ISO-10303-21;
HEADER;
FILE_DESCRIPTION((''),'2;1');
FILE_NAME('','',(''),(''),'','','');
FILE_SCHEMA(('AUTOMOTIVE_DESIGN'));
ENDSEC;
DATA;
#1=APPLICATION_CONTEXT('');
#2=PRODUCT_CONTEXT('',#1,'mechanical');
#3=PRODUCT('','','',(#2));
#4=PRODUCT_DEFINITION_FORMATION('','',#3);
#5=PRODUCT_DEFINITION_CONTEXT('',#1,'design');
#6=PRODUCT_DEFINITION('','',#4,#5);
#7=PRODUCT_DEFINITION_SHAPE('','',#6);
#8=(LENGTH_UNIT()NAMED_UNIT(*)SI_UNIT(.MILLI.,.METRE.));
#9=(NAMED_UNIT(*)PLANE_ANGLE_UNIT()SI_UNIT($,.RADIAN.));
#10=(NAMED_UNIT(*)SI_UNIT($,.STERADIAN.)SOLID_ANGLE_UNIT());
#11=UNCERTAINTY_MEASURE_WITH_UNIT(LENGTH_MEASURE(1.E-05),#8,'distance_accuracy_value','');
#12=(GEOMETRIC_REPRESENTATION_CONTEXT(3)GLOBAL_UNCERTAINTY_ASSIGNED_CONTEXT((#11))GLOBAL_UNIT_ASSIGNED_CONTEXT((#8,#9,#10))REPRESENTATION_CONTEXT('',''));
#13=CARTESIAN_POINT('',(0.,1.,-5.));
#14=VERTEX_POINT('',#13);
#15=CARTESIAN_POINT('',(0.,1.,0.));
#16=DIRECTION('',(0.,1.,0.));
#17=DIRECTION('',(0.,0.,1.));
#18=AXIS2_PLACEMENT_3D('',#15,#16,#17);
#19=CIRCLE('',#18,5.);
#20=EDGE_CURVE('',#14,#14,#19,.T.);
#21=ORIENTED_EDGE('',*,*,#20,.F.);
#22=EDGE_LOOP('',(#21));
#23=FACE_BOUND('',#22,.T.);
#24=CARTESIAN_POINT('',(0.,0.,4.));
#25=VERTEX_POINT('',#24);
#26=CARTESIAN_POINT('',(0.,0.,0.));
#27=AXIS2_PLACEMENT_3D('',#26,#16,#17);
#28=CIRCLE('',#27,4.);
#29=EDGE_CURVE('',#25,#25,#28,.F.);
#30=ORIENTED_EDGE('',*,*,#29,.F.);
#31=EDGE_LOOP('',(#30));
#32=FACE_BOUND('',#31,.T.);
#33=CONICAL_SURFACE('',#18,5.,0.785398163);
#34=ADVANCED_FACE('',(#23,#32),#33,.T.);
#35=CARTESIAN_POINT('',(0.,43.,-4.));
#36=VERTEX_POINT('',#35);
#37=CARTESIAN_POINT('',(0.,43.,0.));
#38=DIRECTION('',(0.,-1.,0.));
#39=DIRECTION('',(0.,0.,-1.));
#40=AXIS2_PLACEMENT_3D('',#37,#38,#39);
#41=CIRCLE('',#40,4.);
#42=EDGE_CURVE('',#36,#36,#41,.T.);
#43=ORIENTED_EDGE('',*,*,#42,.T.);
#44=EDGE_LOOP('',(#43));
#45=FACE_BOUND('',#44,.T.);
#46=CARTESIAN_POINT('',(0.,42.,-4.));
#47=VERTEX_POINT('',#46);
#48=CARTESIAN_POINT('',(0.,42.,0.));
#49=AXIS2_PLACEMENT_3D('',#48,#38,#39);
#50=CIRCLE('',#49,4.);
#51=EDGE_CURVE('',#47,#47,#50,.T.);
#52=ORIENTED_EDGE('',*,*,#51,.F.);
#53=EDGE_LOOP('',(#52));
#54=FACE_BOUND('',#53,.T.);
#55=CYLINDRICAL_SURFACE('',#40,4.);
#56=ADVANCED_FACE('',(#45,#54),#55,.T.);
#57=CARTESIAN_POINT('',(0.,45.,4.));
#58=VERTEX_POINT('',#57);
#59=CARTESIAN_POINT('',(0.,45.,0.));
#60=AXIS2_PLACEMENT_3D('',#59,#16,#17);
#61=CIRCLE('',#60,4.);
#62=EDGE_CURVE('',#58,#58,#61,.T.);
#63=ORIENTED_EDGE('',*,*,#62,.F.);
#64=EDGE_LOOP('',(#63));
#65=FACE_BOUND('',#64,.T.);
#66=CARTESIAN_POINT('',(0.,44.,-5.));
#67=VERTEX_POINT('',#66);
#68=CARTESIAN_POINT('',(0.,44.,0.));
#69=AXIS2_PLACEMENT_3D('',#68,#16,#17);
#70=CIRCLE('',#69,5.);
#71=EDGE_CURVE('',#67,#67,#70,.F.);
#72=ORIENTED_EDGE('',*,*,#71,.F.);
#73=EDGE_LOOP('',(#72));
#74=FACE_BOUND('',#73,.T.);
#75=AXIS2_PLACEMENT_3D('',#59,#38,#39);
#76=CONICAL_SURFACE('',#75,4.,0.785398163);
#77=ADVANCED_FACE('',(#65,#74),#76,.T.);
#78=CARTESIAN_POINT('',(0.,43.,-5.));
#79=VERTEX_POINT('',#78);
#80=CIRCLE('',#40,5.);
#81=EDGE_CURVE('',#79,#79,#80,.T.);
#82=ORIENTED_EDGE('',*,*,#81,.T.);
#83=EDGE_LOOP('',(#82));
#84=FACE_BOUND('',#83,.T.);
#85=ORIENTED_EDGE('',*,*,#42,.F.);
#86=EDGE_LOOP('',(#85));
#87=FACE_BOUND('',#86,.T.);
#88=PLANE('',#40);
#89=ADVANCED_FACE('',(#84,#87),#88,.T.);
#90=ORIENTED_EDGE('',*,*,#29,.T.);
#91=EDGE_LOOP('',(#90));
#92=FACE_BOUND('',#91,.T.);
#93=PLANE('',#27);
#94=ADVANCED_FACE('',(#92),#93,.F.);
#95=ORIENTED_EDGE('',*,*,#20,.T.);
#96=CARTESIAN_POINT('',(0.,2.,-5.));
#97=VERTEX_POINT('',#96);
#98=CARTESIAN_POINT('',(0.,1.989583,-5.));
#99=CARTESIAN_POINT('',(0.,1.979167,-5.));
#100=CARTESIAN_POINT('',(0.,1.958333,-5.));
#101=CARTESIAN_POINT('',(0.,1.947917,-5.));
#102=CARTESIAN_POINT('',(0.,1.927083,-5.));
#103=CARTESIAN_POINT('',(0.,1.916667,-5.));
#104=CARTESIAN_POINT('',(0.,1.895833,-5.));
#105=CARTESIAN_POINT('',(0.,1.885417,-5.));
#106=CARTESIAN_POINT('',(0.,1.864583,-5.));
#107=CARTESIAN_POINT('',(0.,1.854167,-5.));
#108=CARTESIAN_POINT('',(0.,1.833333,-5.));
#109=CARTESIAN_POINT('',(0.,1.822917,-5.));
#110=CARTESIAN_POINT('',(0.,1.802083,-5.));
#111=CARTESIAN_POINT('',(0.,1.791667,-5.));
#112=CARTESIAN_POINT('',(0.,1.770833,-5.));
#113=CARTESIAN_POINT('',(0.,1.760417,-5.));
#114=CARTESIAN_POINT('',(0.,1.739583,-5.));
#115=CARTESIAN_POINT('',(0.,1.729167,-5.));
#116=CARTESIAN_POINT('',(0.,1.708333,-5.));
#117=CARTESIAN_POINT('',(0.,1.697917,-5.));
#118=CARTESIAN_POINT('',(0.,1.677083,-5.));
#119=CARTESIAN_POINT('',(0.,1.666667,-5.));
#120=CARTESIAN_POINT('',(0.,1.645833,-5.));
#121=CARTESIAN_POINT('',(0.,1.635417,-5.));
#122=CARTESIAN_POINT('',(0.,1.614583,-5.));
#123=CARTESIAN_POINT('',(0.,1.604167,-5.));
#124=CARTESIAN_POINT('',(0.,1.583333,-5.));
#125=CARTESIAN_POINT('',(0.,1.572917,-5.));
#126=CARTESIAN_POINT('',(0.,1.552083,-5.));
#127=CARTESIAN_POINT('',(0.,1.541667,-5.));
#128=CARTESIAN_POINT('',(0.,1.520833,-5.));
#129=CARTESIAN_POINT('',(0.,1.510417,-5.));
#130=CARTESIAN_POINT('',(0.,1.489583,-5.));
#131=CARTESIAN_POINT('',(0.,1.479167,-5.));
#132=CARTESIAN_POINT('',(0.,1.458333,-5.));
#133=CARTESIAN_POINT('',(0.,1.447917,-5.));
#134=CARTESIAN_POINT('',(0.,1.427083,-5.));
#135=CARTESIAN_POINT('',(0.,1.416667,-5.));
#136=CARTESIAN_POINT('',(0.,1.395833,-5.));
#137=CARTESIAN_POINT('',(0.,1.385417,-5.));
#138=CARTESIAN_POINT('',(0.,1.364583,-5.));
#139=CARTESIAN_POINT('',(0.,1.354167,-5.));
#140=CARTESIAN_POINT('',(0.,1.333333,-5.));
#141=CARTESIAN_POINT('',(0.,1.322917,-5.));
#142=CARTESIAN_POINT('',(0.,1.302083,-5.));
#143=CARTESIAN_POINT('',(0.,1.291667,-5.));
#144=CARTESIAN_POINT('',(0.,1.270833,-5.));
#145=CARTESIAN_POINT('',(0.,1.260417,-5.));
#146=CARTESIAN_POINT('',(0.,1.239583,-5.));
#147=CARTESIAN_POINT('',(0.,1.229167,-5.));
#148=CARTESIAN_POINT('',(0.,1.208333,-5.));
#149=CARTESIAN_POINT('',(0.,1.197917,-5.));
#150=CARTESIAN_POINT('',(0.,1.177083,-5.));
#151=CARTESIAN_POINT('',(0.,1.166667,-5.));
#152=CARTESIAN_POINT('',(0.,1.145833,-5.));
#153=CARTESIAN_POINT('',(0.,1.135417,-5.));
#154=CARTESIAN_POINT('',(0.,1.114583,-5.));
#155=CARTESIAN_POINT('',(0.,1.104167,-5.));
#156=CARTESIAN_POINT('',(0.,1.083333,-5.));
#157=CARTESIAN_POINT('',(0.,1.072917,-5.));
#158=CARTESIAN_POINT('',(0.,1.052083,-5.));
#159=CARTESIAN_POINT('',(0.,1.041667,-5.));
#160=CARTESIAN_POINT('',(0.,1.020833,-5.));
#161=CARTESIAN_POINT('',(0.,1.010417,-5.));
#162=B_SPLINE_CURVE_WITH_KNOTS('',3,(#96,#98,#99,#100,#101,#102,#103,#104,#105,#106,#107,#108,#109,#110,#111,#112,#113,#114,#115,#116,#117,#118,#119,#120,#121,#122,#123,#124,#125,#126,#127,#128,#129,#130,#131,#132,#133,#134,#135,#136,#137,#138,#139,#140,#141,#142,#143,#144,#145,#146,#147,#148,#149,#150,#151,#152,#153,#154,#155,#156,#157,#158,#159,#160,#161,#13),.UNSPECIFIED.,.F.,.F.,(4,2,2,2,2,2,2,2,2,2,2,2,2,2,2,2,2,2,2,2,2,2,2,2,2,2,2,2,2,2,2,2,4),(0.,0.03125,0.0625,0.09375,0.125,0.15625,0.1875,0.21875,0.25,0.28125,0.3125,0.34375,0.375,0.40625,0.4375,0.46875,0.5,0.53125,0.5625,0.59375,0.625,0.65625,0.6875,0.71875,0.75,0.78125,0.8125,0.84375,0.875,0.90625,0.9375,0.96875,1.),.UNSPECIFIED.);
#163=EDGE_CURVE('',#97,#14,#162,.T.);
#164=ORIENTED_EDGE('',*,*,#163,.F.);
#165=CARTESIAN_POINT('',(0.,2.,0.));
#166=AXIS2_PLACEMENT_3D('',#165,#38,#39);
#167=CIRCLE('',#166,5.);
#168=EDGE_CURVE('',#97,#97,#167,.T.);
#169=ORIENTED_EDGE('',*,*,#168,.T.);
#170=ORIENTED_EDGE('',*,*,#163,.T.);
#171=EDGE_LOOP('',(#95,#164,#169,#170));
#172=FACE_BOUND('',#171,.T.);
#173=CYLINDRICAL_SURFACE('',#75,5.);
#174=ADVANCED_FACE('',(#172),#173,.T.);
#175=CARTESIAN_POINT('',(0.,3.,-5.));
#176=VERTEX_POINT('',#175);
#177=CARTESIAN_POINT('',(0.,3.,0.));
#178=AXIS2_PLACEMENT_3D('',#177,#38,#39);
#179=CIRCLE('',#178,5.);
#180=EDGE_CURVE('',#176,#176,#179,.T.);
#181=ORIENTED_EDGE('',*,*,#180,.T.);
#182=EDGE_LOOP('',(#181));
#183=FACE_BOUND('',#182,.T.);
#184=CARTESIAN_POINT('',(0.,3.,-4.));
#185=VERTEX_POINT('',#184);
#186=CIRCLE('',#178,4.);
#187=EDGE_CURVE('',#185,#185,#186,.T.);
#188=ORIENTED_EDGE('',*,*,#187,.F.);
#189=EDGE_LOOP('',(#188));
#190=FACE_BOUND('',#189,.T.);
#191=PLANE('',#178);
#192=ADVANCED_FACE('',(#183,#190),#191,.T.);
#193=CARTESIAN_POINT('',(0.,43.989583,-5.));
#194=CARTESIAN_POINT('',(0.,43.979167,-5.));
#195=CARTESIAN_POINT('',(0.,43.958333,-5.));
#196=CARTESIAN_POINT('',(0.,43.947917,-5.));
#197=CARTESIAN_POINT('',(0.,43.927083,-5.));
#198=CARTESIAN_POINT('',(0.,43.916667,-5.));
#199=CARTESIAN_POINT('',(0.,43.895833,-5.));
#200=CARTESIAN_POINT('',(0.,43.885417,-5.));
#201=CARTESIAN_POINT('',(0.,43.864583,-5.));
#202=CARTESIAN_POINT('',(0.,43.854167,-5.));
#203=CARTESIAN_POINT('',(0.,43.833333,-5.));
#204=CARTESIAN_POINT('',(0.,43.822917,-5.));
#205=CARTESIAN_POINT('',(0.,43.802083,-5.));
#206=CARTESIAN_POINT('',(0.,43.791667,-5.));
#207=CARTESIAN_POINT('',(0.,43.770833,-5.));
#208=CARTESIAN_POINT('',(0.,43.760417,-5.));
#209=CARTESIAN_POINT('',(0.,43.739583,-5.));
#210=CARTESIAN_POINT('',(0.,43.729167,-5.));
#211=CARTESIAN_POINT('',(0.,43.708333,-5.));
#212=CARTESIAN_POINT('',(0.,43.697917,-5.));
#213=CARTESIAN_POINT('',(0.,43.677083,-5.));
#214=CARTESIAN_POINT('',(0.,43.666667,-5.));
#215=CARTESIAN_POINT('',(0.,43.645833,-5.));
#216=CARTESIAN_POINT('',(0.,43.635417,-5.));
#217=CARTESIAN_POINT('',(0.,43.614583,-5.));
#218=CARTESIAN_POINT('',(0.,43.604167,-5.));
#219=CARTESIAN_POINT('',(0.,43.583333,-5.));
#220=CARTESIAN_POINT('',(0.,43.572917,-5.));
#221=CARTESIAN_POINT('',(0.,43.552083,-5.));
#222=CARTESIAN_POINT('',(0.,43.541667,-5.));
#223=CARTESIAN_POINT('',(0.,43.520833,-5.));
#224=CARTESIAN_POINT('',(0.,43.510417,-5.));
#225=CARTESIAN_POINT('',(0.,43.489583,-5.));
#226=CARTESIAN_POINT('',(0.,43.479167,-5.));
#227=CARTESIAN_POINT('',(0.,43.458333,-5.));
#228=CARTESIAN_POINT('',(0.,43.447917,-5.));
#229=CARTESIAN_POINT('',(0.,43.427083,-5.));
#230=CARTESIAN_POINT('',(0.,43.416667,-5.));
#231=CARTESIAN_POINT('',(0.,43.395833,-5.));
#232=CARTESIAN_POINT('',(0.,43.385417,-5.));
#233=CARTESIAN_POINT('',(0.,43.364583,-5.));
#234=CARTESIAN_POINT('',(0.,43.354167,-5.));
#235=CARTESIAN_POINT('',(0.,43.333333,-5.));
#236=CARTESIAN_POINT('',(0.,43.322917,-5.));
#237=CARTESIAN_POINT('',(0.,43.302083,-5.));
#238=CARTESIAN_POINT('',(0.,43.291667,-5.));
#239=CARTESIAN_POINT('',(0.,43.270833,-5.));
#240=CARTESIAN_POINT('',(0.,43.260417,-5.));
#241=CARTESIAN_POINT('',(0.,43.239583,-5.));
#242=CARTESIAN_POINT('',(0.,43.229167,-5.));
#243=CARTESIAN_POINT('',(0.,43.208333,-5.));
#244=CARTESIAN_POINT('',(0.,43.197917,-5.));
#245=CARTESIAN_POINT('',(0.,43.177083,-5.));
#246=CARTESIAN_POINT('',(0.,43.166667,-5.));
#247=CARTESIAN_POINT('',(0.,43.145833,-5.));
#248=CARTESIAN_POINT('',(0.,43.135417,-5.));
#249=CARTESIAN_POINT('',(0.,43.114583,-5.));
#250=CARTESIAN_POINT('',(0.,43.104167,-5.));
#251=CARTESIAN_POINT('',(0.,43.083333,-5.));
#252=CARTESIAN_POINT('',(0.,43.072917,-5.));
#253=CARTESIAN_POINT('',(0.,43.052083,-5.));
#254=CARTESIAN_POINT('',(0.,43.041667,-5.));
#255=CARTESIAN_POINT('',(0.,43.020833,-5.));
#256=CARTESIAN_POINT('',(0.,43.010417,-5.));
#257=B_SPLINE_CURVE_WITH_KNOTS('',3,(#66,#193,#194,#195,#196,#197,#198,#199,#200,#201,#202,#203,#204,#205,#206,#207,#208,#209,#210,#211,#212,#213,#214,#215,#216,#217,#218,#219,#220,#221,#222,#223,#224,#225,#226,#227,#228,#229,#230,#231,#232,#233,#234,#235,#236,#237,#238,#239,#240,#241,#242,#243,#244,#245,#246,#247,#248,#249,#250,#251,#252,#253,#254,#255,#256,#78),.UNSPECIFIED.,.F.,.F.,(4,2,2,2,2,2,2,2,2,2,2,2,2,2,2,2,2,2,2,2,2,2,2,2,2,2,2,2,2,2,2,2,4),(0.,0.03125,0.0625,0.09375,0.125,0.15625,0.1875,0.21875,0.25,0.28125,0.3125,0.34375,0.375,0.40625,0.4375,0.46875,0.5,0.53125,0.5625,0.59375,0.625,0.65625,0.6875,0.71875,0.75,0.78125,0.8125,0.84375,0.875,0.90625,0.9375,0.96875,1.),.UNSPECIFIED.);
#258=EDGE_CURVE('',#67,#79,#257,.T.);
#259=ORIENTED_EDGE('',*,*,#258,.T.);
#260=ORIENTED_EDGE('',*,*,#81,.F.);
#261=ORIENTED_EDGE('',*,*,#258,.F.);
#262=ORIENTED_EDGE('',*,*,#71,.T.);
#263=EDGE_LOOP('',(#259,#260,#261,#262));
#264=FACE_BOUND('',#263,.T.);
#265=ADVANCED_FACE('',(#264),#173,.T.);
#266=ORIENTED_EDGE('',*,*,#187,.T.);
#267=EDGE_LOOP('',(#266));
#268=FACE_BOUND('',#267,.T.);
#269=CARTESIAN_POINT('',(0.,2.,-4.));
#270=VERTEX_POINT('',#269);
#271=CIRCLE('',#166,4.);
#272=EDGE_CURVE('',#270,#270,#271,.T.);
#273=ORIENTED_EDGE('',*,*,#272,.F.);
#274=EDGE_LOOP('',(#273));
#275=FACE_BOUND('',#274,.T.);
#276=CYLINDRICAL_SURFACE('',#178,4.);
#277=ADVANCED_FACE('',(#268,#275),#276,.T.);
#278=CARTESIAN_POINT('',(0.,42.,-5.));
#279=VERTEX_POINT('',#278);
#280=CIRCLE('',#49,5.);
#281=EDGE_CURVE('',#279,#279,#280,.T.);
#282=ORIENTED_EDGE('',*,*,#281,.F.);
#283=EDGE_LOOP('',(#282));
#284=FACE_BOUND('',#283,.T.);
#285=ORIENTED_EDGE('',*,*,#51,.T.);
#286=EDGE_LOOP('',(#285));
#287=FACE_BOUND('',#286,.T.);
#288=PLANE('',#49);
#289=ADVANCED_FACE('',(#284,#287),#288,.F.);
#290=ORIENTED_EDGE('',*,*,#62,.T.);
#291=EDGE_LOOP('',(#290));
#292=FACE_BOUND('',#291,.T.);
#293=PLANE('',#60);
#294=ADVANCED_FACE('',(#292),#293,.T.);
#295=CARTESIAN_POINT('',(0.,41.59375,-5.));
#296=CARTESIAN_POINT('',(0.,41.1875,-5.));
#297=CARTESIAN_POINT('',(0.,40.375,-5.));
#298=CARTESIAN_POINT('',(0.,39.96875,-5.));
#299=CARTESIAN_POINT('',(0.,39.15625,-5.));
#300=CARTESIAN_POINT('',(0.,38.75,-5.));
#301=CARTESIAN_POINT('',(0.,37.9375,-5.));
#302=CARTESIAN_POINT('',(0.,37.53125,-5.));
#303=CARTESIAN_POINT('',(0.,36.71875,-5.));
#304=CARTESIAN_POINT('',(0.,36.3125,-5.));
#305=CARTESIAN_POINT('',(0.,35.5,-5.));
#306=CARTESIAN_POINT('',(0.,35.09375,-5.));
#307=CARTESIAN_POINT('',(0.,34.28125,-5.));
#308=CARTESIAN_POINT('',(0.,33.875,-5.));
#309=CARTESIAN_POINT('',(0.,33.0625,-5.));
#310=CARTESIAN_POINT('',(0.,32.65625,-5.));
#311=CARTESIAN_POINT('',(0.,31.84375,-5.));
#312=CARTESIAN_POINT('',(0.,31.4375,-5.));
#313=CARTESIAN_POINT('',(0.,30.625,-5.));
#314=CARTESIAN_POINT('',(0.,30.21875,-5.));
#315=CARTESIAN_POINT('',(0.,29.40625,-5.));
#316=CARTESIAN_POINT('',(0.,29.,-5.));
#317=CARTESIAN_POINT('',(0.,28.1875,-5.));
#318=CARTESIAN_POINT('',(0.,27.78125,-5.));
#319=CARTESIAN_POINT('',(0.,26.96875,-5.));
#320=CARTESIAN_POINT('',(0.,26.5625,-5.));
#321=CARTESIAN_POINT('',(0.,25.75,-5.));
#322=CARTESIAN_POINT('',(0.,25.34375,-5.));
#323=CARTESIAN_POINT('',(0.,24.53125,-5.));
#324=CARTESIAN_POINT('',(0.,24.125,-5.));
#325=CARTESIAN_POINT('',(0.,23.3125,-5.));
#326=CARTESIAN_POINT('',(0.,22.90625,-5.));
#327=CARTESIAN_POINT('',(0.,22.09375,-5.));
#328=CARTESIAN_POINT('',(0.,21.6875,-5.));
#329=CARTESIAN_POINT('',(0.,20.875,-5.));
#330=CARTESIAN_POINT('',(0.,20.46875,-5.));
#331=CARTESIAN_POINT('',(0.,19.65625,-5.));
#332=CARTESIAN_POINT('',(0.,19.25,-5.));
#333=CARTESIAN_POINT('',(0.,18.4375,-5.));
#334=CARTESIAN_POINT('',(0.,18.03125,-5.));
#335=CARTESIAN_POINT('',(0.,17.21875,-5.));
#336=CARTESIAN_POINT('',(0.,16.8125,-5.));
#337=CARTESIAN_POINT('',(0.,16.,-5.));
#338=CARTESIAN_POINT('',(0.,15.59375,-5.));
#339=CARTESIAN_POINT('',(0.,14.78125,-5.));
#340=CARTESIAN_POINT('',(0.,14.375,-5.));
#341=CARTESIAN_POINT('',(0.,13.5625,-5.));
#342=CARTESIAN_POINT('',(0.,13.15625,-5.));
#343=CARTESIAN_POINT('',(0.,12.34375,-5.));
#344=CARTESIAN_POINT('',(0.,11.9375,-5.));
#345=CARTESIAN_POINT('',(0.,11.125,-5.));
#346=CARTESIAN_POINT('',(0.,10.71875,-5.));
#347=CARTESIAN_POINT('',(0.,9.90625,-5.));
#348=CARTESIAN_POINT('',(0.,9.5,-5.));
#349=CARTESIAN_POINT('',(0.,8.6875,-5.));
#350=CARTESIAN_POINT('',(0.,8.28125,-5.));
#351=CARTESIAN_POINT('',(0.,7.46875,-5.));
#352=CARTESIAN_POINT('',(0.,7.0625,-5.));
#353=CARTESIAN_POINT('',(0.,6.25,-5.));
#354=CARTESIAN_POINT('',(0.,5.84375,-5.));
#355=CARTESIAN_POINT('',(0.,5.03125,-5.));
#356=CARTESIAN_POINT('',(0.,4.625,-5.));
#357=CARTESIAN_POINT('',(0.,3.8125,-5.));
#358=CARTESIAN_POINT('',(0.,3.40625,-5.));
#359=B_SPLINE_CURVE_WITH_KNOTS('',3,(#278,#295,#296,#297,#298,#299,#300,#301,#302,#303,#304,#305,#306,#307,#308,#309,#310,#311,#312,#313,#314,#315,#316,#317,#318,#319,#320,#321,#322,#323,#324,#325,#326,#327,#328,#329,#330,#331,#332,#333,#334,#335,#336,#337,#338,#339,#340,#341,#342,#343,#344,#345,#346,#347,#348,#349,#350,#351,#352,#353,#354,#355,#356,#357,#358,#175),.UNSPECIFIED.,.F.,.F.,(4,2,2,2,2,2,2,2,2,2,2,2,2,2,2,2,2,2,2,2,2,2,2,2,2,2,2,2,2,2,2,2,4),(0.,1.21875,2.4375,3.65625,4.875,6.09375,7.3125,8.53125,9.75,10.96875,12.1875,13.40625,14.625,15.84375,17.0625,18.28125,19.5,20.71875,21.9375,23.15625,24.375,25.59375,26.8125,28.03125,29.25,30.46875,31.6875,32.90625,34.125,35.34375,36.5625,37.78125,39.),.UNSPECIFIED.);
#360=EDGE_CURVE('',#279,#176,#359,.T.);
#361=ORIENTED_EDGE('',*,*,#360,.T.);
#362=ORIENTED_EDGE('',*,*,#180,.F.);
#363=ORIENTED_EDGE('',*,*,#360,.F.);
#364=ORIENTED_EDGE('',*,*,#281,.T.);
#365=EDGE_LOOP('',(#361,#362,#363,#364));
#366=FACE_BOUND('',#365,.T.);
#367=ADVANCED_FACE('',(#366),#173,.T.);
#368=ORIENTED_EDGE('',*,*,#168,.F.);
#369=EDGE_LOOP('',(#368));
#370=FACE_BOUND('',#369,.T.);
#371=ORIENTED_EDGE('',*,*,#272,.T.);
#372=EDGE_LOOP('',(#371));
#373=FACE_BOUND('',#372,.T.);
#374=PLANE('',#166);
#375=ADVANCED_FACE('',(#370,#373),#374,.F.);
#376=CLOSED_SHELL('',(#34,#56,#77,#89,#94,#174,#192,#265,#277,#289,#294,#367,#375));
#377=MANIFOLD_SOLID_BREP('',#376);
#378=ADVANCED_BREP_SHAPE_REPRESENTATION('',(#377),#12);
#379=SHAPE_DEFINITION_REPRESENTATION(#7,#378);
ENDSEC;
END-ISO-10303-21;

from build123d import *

# Parameters (mm, degrees)
SKETCH1_R           = 5
BOSS_EXTRUDE1_DEPTH = 45
CHAMFER1_SIZE       = 1
CUT_EXTRUDE1_START  = -2
SKETCH2_R           = 6
SKETCH2_R_2         = 4
CUT_EXTRUDE1_DEPTH  = 1
CUT_EXTRUDE2_START  = -42
SKETCH2_2_R         = 6
SKETCH2_2_R_2       = 4
CUT_EXTRUDE2_DEPTH  = 1


with BuildPart() as part:
    # Sketch1 → Boss-Extrude1 (new body)
    with BuildSketch(Plane(origin=(0, 0, 0), x_dir=(1, 0, 0), z_dir=(0, 1, 0))):
        Circle(SKETCH1_R)
    extrude(amount=BOSS_EXTRUDE1_DEPTH)

    # Chamfer1
    chamfer1_edges = [part.edges().sort_by_distance(p)[0] for p in [
        (-5, 45, 0),
        (-5, 0, 0),
    ]]
    chamfer(chamfer1_edges, length=CHAMFER1_SIZE)

    # Sketch2 → Cut-Extrude1 (cut)
    with BuildSketch(Plane.XZ.offset(CUT_EXTRUDE1_START)):
        Circle(SKETCH2_R)
        Circle(SKETCH2_R_2, mode=Mode.SUBTRACT)
    extrude(amount=-CUT_EXTRUDE1_DEPTH, mode=Mode.SUBTRACT)

    # Sketch2<2> → Cut-Extrude2 (cut)
    with BuildSketch(Plane.XZ.offset(CUT_EXTRUDE2_START)):
        Circle(SKETCH2_2_R)
        Circle(SKETCH2_2_R_2, mode=Mode.SUBTRACT)
    extrude(amount=-CUT_EXTRUDE2_DEPTH, mode=Mode.SUBTRACT)


solid = part.part
